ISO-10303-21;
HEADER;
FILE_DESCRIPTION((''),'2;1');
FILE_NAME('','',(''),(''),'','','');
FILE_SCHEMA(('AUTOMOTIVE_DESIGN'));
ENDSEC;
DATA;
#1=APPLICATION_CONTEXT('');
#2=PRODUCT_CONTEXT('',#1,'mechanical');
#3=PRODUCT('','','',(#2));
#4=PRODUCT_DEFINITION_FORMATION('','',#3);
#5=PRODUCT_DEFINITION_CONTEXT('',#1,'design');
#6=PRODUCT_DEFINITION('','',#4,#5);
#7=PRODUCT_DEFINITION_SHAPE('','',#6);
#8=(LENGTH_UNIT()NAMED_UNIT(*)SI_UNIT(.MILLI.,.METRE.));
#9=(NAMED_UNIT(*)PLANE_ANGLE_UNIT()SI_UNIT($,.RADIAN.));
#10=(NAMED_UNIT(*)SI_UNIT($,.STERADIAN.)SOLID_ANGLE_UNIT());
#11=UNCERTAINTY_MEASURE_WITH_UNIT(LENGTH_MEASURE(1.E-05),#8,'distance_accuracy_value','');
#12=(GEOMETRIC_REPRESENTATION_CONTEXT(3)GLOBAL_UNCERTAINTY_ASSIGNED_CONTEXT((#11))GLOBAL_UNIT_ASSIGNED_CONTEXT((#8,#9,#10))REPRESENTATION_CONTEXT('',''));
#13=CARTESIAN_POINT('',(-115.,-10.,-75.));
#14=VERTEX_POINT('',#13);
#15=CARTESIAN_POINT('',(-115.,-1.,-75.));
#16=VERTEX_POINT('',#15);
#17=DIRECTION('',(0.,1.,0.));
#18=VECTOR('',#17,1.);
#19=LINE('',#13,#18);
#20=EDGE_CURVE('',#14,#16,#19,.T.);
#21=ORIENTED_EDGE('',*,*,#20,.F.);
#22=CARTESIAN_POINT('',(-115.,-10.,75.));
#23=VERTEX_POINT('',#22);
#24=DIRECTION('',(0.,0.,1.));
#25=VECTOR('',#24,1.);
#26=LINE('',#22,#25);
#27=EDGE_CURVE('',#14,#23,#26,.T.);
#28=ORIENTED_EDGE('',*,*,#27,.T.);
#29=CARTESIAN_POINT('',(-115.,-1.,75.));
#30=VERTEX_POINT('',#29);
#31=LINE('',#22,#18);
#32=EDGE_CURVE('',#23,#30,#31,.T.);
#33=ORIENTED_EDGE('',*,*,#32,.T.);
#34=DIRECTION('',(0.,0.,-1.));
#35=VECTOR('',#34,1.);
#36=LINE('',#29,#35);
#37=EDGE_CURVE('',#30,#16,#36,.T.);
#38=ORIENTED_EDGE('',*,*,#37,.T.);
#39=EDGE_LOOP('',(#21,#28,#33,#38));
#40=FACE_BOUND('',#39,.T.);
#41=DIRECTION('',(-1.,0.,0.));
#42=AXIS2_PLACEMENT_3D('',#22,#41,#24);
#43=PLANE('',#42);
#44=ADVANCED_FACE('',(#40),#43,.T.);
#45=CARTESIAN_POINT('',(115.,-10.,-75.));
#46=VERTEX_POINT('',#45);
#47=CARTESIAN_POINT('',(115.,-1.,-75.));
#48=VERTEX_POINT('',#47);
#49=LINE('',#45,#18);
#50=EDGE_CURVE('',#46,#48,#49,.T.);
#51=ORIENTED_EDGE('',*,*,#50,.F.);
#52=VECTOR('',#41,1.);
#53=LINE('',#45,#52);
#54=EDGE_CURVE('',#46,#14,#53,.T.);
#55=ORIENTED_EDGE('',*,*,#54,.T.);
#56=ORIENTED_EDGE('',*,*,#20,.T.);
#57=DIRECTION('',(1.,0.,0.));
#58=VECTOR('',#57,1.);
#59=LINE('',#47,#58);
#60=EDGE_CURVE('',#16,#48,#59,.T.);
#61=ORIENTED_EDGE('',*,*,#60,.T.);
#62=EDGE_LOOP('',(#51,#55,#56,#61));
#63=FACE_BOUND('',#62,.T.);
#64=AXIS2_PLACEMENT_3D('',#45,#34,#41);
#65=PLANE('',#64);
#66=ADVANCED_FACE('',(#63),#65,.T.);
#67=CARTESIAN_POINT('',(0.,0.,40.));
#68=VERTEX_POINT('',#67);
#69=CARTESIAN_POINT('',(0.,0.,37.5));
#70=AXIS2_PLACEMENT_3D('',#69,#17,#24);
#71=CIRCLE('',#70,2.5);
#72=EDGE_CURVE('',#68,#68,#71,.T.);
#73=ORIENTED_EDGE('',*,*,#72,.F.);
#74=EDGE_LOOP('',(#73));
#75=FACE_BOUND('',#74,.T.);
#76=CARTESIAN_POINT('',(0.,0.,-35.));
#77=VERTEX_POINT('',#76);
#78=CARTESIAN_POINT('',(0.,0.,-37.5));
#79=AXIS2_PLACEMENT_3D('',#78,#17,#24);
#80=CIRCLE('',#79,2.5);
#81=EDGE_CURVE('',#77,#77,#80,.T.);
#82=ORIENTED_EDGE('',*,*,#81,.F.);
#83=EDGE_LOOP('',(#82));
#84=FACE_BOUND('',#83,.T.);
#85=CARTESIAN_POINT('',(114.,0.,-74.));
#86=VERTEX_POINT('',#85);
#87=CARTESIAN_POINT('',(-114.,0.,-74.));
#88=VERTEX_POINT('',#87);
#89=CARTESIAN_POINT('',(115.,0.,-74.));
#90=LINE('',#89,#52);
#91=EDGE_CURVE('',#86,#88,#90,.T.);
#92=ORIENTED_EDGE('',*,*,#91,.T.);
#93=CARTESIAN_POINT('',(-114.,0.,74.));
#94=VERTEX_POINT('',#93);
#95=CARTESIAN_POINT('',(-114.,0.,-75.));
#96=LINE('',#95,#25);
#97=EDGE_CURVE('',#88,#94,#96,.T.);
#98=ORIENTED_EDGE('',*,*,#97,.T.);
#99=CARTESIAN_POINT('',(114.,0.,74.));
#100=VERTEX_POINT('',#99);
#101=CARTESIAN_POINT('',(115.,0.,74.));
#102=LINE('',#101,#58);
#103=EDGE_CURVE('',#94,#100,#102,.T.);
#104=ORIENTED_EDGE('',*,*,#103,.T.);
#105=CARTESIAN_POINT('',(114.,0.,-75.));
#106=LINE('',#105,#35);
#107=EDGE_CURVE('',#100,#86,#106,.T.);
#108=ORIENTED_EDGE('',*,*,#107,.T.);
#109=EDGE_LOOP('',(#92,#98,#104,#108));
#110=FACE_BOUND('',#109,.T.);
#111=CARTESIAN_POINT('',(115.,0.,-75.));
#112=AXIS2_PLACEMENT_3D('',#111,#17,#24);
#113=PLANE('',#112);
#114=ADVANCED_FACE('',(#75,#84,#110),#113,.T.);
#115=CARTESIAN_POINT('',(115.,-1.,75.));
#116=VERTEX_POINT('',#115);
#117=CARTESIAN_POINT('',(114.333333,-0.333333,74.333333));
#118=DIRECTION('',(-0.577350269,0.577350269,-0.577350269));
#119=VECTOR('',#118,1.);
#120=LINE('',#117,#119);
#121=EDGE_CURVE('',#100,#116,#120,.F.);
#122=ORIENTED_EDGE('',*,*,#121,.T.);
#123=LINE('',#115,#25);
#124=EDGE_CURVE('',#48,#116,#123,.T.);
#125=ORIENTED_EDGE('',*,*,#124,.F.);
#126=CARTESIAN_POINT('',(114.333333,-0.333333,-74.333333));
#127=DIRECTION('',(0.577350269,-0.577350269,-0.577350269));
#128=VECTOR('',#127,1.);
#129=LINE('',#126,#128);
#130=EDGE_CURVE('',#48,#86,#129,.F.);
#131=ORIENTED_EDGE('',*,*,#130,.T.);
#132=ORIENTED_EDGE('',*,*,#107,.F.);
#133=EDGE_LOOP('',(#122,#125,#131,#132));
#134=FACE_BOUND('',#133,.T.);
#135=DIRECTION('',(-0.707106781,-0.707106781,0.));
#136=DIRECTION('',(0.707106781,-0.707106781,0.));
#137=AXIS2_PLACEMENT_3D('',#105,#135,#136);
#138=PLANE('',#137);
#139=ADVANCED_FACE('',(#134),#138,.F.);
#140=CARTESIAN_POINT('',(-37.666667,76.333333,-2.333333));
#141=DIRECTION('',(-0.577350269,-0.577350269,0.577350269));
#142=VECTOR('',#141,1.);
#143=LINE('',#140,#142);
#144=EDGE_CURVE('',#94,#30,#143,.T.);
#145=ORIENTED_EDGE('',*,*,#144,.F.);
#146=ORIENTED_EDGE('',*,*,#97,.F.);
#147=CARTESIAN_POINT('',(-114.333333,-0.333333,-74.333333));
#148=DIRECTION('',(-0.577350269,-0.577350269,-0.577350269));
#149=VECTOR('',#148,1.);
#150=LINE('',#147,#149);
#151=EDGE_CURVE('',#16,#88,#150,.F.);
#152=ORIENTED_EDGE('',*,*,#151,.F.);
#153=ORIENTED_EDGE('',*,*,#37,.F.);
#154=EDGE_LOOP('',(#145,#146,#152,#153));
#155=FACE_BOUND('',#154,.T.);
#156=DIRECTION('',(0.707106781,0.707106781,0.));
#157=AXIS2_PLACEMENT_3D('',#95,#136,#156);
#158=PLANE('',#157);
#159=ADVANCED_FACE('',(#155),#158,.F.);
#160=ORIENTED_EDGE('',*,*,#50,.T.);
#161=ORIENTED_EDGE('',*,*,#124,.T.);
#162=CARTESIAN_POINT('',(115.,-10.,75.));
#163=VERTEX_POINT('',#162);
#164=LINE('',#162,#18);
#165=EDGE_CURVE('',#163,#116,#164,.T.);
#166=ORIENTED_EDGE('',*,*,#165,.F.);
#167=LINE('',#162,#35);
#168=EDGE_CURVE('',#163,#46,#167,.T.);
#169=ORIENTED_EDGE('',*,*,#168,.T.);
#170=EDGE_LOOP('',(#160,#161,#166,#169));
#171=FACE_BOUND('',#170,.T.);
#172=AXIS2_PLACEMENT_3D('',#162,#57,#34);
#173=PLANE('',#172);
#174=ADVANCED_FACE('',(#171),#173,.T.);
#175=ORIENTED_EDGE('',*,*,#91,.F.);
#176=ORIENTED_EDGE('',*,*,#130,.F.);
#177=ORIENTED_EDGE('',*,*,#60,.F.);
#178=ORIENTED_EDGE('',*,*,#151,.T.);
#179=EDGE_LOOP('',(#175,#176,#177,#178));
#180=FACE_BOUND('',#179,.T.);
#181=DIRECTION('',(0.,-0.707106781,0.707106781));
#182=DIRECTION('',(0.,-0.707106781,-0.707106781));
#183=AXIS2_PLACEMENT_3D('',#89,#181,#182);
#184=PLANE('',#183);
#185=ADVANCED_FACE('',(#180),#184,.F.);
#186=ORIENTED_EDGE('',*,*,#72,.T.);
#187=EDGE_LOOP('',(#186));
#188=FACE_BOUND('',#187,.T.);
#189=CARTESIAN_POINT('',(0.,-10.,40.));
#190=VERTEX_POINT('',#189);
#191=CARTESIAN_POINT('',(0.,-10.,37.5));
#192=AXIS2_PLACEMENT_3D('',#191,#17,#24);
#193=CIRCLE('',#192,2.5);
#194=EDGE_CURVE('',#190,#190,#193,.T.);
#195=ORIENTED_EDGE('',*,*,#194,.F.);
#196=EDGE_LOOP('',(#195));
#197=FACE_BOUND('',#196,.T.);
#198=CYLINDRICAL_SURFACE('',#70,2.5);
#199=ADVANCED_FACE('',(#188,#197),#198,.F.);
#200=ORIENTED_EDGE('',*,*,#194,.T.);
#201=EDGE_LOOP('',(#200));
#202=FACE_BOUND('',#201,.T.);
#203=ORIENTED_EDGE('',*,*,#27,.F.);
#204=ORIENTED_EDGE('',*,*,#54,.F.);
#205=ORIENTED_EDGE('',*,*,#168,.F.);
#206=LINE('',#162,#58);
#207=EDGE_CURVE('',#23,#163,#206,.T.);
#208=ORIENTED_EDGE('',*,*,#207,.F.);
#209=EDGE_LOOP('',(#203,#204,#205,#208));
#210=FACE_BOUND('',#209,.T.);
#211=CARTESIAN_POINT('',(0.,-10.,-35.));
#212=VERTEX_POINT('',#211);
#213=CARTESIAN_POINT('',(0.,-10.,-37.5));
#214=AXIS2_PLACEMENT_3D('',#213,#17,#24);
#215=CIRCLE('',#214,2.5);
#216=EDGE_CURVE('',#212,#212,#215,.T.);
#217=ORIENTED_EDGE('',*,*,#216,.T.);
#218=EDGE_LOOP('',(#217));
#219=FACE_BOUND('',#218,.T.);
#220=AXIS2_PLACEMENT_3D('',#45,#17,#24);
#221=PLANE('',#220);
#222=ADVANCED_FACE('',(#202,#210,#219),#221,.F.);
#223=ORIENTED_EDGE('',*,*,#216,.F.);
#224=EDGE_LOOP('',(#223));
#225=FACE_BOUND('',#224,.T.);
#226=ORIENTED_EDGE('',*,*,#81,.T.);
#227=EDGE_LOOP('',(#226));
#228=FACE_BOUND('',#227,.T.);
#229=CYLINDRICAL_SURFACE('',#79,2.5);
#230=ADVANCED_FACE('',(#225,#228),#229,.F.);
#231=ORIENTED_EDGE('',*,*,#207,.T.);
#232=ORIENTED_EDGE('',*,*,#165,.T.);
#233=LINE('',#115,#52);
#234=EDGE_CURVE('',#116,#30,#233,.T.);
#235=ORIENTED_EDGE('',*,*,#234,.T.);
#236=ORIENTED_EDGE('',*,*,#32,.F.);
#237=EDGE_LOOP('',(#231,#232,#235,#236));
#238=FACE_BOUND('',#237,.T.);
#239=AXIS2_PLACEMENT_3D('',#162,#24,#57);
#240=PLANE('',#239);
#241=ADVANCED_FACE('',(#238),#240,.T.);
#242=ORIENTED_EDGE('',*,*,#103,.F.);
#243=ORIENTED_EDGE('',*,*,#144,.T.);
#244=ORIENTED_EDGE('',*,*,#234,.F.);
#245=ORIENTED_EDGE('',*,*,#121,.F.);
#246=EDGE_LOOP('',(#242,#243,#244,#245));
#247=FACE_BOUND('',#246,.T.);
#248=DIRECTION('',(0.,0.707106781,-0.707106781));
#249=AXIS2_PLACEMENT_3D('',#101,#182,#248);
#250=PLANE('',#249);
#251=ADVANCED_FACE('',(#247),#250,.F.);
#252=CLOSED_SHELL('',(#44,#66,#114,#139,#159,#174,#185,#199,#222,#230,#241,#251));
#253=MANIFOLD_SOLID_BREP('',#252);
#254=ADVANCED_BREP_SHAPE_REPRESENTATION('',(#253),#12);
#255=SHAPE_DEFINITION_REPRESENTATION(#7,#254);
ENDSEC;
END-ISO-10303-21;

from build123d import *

# Parameters (mm, degrees)
SKETCH_1_W                = 230
SKETCH_1_H                = 150
EXTRUDE_1_DEPTH           = 10
CHAMFER_1_SIZE            = 1
F_5_0MM_DOWEL_HOLE1_D     = 5
F_5_0MM_DOWEL_HOLE1_DEPTH = 10
F_5_0MM_DOWEL_HOLE1_TIP   = 1.502151548


with BuildPart() as part:
    # Эскиз1 → Бобышка-Вытянуть1 (new body)
    with BuildSketch(Plane(origin=(0, 0, 0), x_dir=(1, 0, 0), z_dir=(0, 1, 0))):
        Rectangle(SKETCH_1_W, SKETCH_1_H)
    extrude(amount=-EXTRUDE_1_DEPTH)

    # Фаска1
    chamfer_1_edges = [part.edges().sort_by_distance(p)[0] for p in [
        (0, 0, 75),
        (-115, 0, 0),
        (0, 0, -75),
        (115, 0, 0),
    ]]
    chamfer(chamfer_1_edges, length=CHAMFER_1_SIZE)

    # Ø5.0mm Dowel Hole1
    with Locations(Plane(origin=(0, 0, 0), x_dir=(-1, 0, 0), z_dir=(0, 1, 0))):
        with Locations((0, 37.5), (0, -37.5)):
            Hole(F_5_0MM_DOWEL_HOLE1_D / 2, depth=F_5_0MM_DOWEL_HOLE1_DEPTH)
            with Locations((0, 0, -(F_5_0MM_DOWEL_HOLE1_DEPTH + F_5_0MM_DOWEL_HOLE1_TIP / 2))):  # 118° drill point
                Cone(0, F_5_0MM_DOWEL_HOLE1_D / 2, F_5_0MM_DOWEL_HOLE1_TIP, mode=Mode.SUBTRACT)


solid = part.part
